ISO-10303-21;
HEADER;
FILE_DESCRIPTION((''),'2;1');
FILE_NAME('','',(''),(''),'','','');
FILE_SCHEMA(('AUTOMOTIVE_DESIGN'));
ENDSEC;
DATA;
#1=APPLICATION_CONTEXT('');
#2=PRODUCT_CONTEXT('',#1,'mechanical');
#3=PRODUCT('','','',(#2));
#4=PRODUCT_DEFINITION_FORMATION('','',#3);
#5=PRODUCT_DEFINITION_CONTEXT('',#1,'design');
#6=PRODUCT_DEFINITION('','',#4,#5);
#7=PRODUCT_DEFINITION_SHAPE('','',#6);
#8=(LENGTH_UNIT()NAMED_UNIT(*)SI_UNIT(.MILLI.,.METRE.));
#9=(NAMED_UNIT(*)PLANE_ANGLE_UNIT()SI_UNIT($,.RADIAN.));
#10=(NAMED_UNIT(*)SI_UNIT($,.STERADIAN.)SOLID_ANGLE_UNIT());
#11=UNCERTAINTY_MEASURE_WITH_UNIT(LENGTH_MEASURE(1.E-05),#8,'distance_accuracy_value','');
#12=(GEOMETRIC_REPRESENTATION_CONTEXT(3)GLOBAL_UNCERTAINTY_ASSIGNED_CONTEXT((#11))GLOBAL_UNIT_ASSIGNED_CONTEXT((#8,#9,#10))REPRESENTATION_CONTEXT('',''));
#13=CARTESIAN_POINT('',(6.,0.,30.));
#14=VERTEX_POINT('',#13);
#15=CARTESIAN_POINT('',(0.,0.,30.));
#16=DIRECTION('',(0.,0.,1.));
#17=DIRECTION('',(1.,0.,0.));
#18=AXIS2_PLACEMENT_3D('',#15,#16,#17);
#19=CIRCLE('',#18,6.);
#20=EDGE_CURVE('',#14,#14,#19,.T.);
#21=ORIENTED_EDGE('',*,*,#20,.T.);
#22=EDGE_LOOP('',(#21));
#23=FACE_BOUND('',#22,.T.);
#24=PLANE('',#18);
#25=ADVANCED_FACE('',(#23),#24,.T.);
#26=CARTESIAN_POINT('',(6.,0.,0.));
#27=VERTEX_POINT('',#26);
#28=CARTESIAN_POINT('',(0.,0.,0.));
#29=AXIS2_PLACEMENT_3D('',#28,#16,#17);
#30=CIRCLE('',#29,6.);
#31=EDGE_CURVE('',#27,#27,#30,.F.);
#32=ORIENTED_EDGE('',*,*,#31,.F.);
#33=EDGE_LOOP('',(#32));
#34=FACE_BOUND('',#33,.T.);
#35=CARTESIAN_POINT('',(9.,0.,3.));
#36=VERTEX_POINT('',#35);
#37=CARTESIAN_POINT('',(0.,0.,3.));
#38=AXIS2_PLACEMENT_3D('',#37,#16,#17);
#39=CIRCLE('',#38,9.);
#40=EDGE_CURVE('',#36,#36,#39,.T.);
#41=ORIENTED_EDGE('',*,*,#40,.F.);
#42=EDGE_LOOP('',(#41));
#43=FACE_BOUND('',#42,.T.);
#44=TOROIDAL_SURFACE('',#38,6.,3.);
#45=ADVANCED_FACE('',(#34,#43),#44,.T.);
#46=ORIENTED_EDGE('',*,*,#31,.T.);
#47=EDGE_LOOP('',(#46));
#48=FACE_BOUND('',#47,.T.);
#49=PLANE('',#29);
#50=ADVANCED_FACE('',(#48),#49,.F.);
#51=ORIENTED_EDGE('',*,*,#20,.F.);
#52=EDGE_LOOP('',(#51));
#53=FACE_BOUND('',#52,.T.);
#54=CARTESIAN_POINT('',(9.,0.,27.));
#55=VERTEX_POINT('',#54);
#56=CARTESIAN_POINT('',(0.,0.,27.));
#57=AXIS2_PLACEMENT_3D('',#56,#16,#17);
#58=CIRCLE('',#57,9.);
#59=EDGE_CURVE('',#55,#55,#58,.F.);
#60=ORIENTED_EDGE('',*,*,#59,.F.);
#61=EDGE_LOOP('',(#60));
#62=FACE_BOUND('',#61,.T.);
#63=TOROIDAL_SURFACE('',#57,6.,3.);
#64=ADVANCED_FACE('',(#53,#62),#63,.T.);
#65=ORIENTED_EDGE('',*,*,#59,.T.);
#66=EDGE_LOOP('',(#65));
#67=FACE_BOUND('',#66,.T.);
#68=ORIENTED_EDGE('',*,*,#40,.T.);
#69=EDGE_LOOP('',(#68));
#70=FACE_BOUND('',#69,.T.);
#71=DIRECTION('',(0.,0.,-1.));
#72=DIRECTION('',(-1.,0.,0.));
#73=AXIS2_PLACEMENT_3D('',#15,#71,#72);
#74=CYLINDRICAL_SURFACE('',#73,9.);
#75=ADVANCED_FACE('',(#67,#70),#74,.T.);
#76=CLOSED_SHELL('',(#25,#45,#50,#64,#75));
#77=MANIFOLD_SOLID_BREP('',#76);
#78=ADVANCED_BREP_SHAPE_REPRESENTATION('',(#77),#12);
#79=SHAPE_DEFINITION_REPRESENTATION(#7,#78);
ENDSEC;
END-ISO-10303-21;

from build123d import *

# Parameters (mm, degrees)
SKETCH2_R           = 9
BOSS_EXTRUDE1_DEPTH = 30
FILLET1_R           = 3


with BuildPart() as part:
    # Sketch2 → Boss-Extrude1 (new body)
    with BuildSketch(Plane.XY):
        Circle(SKETCH2_R)
    extrude(amount=BOSS_EXTRUDE1_DEPTH)

    # Fillet1
    fillet1_edges = [part.edges().sort_by_distance(p)[0] for p in [
        (-9, 0, 0),
        (-9, 0, 30),
    ]]
    fillet(fillet1_edges, radius=FILLET1_R)


solid = part.part
